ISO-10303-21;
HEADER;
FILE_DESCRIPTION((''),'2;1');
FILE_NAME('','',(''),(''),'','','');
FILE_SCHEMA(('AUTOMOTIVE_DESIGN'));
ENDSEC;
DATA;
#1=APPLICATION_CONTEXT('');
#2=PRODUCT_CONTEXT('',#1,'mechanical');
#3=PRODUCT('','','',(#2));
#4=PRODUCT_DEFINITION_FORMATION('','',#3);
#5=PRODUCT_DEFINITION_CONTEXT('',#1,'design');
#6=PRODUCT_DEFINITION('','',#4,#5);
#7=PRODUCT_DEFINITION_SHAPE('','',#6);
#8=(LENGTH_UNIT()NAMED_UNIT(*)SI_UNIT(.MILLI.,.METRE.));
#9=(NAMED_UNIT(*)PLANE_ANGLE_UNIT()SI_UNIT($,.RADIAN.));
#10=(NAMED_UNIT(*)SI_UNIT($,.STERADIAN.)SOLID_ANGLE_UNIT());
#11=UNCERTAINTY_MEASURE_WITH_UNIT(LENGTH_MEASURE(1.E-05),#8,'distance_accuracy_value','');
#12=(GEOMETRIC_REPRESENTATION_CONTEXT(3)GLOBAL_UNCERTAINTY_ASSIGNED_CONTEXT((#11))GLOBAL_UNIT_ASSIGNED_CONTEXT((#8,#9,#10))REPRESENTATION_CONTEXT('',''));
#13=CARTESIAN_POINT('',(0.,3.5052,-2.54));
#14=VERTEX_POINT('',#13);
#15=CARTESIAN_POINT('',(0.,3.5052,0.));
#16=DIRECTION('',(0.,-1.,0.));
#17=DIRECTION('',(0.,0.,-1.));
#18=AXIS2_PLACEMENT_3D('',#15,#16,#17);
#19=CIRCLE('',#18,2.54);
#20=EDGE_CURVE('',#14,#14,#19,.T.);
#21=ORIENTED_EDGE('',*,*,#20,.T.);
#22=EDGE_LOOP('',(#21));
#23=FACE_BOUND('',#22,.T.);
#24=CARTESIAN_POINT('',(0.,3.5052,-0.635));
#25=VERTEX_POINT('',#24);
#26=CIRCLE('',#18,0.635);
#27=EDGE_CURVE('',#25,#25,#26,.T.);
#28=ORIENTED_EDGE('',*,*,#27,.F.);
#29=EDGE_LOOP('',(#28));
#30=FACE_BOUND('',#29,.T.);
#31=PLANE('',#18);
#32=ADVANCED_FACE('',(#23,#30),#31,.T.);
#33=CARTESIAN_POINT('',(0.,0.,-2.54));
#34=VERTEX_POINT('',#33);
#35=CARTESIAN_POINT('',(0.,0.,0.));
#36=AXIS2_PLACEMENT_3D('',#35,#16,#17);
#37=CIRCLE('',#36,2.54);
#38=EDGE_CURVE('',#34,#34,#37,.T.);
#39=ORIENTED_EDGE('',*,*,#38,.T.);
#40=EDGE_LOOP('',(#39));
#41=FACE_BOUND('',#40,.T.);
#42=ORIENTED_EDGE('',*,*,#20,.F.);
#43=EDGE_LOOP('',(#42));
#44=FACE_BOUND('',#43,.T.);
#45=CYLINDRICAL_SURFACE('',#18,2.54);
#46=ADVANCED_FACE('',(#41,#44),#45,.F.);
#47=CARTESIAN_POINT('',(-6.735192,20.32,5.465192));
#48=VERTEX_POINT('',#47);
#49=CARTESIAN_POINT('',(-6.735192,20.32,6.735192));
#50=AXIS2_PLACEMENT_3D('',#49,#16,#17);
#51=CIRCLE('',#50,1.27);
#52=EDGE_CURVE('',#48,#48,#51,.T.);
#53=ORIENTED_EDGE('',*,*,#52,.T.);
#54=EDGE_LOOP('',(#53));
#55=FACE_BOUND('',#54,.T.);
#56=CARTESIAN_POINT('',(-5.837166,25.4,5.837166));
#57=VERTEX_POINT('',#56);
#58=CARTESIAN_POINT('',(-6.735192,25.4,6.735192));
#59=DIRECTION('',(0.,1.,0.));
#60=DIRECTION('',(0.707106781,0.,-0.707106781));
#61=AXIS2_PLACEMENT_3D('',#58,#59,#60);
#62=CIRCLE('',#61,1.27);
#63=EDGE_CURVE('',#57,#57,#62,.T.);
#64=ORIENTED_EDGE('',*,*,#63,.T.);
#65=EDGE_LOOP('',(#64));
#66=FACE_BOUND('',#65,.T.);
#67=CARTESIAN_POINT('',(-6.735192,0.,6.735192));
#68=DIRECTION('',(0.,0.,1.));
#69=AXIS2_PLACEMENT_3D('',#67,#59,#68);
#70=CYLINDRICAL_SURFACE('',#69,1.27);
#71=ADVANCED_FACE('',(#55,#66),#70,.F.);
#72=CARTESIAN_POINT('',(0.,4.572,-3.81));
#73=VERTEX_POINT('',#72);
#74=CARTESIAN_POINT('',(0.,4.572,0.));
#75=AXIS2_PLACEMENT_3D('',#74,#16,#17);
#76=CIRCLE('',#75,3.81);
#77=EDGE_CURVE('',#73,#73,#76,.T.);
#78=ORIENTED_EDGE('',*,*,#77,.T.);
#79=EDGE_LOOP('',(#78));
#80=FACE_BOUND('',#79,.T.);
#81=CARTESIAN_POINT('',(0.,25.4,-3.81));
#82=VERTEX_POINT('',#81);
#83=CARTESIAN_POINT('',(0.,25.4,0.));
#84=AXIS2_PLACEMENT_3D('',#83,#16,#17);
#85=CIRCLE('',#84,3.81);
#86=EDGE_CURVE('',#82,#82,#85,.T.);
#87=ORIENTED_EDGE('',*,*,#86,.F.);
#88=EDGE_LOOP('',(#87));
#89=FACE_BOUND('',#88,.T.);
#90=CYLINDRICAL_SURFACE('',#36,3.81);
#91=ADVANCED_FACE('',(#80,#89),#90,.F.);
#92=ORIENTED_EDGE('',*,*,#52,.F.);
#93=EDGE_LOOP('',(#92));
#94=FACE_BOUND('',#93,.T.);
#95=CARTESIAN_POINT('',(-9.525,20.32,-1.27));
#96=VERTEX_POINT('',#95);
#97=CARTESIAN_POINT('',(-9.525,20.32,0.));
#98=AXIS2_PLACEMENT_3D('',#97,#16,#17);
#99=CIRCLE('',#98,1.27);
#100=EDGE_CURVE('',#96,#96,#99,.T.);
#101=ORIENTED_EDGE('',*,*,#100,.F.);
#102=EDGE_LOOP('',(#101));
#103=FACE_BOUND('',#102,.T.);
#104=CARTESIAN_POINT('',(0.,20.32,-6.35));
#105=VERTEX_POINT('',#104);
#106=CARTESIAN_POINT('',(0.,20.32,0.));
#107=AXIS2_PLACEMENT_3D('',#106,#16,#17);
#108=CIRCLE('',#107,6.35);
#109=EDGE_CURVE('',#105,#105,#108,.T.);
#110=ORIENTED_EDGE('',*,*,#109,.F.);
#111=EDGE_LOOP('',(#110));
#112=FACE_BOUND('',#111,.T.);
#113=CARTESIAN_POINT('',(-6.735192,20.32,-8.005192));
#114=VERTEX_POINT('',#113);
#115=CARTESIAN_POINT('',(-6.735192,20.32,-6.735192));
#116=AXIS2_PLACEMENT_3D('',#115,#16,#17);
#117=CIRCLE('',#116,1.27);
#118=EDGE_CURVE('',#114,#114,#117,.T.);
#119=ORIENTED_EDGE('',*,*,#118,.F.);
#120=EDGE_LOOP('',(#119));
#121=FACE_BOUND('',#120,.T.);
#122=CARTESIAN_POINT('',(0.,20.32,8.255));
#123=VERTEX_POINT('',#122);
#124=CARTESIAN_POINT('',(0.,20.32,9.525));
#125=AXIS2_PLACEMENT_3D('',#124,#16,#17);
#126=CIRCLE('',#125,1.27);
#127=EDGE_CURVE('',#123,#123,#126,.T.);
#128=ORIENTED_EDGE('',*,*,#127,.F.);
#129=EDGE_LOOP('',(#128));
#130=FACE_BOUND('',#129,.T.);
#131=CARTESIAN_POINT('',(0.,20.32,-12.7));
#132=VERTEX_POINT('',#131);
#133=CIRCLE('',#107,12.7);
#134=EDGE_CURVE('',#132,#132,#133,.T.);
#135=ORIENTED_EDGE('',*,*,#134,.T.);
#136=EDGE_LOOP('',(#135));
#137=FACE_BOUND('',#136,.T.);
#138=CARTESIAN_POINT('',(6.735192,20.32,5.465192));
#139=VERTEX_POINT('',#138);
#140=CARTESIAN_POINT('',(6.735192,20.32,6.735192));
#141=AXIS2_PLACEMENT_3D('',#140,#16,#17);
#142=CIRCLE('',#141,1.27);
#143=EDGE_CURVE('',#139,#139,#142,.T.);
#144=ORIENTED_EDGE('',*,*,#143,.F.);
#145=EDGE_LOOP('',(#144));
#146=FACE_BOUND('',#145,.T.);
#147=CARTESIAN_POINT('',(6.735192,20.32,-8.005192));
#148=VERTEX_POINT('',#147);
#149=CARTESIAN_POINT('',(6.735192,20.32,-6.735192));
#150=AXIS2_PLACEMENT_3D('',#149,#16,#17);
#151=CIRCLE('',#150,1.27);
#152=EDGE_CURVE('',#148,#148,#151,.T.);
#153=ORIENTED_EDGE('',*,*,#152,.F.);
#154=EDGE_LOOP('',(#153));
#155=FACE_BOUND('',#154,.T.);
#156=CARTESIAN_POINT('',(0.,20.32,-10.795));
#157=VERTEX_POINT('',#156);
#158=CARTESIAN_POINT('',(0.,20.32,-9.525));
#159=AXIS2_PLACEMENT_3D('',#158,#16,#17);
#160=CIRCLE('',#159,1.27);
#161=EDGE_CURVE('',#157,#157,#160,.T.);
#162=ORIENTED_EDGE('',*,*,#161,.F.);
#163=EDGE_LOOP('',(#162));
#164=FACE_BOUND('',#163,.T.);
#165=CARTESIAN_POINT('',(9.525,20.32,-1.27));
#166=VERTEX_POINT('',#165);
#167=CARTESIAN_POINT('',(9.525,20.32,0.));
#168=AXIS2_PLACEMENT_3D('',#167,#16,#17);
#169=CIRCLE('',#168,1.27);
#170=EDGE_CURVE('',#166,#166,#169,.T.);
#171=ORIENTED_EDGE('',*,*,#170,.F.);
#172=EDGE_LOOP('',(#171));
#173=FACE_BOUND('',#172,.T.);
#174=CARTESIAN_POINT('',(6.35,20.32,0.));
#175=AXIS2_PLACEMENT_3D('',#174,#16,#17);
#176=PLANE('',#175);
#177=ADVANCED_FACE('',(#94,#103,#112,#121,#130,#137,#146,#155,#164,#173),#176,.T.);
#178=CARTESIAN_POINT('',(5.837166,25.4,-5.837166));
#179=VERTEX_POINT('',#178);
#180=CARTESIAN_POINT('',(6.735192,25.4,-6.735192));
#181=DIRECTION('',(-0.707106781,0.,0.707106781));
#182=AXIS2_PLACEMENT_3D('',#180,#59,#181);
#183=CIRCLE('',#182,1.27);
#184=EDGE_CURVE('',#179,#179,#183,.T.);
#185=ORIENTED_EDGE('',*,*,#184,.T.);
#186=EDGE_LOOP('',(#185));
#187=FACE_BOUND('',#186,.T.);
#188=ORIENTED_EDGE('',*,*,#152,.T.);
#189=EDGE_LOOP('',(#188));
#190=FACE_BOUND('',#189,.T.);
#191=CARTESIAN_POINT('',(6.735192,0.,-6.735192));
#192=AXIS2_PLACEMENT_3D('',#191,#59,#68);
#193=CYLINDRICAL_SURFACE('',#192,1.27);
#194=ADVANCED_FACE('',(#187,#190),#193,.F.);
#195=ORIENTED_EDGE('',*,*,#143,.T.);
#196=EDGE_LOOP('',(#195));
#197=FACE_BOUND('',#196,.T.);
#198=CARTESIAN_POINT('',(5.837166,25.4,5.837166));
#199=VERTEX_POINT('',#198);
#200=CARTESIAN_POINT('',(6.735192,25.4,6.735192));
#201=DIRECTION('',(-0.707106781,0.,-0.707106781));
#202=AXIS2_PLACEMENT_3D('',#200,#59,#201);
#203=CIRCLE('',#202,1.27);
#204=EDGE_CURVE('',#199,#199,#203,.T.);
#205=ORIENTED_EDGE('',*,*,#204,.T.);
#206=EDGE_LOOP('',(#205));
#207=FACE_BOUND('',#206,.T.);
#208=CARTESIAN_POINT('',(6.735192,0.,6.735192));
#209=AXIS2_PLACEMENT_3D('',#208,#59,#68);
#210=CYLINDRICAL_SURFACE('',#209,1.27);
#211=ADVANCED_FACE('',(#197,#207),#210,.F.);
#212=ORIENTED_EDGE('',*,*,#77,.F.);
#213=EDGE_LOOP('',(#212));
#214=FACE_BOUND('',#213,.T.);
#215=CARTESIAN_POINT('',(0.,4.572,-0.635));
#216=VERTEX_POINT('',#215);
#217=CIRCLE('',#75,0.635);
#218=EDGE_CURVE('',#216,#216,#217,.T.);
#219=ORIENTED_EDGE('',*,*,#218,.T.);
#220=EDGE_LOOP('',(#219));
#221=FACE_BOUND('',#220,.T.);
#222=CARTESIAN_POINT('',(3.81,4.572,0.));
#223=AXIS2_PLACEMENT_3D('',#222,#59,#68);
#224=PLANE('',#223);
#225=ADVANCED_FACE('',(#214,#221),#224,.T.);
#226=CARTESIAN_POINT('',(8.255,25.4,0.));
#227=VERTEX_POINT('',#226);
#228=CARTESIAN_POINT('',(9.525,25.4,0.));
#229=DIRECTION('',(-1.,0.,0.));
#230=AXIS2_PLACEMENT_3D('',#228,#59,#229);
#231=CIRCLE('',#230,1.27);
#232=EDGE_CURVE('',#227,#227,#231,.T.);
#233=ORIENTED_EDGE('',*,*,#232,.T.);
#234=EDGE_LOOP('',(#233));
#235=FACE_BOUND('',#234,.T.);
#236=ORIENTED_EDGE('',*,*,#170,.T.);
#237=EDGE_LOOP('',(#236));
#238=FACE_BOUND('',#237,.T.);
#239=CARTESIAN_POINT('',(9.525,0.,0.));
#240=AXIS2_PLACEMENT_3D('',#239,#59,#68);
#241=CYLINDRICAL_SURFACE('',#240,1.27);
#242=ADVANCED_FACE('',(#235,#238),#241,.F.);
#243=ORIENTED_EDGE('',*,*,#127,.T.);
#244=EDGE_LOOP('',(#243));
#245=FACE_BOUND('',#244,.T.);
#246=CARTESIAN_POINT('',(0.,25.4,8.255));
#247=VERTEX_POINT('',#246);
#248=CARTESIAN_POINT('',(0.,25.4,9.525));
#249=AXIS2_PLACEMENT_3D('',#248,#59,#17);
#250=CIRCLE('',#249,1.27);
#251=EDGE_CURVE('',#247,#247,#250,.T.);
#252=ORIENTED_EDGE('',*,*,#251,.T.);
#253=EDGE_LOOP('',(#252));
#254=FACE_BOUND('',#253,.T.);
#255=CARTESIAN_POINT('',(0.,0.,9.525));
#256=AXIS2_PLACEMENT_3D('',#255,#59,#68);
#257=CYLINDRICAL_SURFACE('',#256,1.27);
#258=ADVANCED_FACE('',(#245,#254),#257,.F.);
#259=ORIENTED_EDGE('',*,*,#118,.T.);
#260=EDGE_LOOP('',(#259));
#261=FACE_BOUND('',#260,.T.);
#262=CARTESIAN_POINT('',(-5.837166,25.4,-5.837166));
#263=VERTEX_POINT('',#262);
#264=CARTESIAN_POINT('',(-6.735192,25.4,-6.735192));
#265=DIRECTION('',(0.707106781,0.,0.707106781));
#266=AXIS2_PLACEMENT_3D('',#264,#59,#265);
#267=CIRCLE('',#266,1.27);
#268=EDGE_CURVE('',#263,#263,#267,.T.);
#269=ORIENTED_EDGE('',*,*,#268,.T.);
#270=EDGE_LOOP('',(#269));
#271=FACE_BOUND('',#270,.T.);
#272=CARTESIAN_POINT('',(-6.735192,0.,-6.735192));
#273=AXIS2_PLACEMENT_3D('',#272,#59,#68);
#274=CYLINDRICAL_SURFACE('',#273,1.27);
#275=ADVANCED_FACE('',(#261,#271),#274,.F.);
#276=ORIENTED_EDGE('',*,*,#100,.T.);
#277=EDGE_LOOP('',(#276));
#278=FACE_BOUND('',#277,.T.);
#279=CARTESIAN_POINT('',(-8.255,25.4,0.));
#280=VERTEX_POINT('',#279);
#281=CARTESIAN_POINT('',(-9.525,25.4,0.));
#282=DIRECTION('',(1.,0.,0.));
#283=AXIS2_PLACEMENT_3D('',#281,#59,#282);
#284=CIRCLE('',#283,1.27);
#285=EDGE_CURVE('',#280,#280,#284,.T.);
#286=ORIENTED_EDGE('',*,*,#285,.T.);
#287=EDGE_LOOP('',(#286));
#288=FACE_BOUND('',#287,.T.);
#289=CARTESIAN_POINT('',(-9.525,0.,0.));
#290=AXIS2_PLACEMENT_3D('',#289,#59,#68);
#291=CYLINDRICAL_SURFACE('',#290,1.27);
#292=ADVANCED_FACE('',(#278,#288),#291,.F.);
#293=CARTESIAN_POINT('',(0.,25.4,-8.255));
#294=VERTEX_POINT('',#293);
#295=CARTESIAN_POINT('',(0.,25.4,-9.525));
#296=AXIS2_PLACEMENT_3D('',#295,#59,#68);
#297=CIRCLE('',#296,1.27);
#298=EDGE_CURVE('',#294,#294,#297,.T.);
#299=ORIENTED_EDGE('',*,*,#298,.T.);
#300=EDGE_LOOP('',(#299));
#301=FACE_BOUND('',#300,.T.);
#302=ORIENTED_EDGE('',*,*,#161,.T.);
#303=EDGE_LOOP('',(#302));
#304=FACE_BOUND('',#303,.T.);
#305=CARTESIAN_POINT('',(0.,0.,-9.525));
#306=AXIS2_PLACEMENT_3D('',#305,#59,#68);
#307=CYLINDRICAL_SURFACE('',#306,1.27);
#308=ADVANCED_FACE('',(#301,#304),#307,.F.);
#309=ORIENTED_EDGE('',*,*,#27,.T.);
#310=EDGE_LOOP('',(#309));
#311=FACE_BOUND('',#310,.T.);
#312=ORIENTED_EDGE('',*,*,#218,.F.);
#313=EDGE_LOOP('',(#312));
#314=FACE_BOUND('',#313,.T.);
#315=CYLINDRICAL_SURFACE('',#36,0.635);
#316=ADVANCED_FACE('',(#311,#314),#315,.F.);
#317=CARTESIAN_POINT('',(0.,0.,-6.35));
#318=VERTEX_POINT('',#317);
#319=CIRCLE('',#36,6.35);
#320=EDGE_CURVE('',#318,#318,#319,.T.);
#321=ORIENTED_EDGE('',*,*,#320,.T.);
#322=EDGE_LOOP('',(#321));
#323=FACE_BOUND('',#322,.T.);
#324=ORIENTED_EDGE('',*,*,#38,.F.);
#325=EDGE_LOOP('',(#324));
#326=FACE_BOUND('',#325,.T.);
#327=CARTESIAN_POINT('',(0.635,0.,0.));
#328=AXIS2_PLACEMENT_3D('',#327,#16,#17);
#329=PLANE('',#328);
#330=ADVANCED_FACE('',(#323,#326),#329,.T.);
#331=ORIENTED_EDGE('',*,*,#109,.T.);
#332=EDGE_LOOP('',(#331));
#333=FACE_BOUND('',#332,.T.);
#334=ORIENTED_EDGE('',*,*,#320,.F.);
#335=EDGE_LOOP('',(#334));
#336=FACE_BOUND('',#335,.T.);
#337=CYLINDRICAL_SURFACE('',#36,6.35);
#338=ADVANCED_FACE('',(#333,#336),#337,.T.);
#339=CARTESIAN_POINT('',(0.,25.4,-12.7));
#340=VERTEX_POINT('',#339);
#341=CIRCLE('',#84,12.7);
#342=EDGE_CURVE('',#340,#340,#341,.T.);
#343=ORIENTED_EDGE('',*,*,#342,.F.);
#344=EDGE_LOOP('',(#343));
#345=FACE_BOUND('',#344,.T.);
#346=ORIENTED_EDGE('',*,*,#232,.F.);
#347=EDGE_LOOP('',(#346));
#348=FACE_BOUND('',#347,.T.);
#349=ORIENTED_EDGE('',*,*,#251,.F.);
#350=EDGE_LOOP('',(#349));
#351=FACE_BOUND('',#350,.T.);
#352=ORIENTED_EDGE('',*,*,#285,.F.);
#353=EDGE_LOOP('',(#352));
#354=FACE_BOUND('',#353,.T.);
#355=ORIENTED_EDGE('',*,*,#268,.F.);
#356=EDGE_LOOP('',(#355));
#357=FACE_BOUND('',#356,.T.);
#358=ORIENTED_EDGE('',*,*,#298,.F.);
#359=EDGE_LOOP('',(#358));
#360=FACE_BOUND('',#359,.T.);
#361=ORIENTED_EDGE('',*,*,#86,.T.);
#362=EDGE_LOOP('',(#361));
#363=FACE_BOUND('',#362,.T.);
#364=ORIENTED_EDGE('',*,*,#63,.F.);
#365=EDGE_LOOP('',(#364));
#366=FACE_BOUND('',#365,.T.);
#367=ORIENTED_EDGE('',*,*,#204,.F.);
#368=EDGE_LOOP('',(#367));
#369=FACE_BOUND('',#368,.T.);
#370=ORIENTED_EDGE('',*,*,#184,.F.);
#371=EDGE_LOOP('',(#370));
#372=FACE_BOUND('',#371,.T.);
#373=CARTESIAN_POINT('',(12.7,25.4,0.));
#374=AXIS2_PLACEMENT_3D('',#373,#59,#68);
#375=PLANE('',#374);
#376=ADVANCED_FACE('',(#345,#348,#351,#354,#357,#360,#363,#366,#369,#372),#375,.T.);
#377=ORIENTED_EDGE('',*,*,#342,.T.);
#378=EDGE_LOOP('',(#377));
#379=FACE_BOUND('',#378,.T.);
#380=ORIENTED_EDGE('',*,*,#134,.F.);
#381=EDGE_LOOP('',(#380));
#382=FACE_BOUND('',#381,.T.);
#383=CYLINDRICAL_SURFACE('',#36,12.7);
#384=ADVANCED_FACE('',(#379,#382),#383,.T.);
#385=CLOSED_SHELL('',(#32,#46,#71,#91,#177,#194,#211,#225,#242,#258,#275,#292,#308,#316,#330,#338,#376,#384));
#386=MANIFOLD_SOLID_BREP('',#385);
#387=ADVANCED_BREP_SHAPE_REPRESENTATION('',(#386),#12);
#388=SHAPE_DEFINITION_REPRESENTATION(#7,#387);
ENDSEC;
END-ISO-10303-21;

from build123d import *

# Parameters (mm, degrees)
SKETCH2_R          = 2.54
CUT_EXTRUDE1_DEPTH = 3.5052
SKETCH4_R          = 1.27
CUT_EXTRUDE2_DEPTH = 32.108519733
CIRPATTERN1_COUNT  = 8


with BuildPart() as part:
    # Sketch1 → Revolve1 (revolve)
    with BuildSketch(Plane.XY, mode=Mode.PRIVATE) as revolve1_sk:
        Polygon((3.81, 25.4), (3.81, 4.572), (0.635, 4.572), (0.635, 0), (6.35, 0), (6.35, 20.32), (12.7, 20.32), (12.7, 25.4), align=None)
    revolve(revolve1_sk.sketch.rotate(Axis((0, 0, 0), (0, 1, 0)), 90), axis=Axis((0, 0, 0), (0, 1, 0)))

    # Sketch2 → Cut-Extrude1 (cut)
    with BuildSketch(Plane.XZ):
        with Locations(Location((0, 0, 0), (0, 0, 270))):
            Circle(SKETCH2_R)
    extrude(amount=-CUT_EXTRUDE1_DEPTH, mode=Mode.SUBTRACT)

    # Sketch4 → Cut-Extrude2 (cut, through all)
    with BuildSketch(Plane(origin=(0, 25.4, 0), x_dir=(1, 0, 0), z_dir=(0, 1, 0))):
        with Locations(Location((0, 9.525, 0), (0, 0, 270))):
            Circle(SKETCH4_R)
    cut_extrude2 = extrude(amount=-CUT_EXTRUDE2_DEPTH, mode=Mode.SUBTRACT)

    # CirPattern1: Cut-Extrude2 ×8 about axis
    cirpattern1_axis = Axis((0, 0, 0), (0, 1, 0))
    for i in range(1, CIRPATTERN1_COUNT):
        add(cut_extrude2.rotate(cirpattern1_axis, i * 360 / CIRPATTERN1_COUNT), mode=Mode.SUBTRACT)


solid = part.part
